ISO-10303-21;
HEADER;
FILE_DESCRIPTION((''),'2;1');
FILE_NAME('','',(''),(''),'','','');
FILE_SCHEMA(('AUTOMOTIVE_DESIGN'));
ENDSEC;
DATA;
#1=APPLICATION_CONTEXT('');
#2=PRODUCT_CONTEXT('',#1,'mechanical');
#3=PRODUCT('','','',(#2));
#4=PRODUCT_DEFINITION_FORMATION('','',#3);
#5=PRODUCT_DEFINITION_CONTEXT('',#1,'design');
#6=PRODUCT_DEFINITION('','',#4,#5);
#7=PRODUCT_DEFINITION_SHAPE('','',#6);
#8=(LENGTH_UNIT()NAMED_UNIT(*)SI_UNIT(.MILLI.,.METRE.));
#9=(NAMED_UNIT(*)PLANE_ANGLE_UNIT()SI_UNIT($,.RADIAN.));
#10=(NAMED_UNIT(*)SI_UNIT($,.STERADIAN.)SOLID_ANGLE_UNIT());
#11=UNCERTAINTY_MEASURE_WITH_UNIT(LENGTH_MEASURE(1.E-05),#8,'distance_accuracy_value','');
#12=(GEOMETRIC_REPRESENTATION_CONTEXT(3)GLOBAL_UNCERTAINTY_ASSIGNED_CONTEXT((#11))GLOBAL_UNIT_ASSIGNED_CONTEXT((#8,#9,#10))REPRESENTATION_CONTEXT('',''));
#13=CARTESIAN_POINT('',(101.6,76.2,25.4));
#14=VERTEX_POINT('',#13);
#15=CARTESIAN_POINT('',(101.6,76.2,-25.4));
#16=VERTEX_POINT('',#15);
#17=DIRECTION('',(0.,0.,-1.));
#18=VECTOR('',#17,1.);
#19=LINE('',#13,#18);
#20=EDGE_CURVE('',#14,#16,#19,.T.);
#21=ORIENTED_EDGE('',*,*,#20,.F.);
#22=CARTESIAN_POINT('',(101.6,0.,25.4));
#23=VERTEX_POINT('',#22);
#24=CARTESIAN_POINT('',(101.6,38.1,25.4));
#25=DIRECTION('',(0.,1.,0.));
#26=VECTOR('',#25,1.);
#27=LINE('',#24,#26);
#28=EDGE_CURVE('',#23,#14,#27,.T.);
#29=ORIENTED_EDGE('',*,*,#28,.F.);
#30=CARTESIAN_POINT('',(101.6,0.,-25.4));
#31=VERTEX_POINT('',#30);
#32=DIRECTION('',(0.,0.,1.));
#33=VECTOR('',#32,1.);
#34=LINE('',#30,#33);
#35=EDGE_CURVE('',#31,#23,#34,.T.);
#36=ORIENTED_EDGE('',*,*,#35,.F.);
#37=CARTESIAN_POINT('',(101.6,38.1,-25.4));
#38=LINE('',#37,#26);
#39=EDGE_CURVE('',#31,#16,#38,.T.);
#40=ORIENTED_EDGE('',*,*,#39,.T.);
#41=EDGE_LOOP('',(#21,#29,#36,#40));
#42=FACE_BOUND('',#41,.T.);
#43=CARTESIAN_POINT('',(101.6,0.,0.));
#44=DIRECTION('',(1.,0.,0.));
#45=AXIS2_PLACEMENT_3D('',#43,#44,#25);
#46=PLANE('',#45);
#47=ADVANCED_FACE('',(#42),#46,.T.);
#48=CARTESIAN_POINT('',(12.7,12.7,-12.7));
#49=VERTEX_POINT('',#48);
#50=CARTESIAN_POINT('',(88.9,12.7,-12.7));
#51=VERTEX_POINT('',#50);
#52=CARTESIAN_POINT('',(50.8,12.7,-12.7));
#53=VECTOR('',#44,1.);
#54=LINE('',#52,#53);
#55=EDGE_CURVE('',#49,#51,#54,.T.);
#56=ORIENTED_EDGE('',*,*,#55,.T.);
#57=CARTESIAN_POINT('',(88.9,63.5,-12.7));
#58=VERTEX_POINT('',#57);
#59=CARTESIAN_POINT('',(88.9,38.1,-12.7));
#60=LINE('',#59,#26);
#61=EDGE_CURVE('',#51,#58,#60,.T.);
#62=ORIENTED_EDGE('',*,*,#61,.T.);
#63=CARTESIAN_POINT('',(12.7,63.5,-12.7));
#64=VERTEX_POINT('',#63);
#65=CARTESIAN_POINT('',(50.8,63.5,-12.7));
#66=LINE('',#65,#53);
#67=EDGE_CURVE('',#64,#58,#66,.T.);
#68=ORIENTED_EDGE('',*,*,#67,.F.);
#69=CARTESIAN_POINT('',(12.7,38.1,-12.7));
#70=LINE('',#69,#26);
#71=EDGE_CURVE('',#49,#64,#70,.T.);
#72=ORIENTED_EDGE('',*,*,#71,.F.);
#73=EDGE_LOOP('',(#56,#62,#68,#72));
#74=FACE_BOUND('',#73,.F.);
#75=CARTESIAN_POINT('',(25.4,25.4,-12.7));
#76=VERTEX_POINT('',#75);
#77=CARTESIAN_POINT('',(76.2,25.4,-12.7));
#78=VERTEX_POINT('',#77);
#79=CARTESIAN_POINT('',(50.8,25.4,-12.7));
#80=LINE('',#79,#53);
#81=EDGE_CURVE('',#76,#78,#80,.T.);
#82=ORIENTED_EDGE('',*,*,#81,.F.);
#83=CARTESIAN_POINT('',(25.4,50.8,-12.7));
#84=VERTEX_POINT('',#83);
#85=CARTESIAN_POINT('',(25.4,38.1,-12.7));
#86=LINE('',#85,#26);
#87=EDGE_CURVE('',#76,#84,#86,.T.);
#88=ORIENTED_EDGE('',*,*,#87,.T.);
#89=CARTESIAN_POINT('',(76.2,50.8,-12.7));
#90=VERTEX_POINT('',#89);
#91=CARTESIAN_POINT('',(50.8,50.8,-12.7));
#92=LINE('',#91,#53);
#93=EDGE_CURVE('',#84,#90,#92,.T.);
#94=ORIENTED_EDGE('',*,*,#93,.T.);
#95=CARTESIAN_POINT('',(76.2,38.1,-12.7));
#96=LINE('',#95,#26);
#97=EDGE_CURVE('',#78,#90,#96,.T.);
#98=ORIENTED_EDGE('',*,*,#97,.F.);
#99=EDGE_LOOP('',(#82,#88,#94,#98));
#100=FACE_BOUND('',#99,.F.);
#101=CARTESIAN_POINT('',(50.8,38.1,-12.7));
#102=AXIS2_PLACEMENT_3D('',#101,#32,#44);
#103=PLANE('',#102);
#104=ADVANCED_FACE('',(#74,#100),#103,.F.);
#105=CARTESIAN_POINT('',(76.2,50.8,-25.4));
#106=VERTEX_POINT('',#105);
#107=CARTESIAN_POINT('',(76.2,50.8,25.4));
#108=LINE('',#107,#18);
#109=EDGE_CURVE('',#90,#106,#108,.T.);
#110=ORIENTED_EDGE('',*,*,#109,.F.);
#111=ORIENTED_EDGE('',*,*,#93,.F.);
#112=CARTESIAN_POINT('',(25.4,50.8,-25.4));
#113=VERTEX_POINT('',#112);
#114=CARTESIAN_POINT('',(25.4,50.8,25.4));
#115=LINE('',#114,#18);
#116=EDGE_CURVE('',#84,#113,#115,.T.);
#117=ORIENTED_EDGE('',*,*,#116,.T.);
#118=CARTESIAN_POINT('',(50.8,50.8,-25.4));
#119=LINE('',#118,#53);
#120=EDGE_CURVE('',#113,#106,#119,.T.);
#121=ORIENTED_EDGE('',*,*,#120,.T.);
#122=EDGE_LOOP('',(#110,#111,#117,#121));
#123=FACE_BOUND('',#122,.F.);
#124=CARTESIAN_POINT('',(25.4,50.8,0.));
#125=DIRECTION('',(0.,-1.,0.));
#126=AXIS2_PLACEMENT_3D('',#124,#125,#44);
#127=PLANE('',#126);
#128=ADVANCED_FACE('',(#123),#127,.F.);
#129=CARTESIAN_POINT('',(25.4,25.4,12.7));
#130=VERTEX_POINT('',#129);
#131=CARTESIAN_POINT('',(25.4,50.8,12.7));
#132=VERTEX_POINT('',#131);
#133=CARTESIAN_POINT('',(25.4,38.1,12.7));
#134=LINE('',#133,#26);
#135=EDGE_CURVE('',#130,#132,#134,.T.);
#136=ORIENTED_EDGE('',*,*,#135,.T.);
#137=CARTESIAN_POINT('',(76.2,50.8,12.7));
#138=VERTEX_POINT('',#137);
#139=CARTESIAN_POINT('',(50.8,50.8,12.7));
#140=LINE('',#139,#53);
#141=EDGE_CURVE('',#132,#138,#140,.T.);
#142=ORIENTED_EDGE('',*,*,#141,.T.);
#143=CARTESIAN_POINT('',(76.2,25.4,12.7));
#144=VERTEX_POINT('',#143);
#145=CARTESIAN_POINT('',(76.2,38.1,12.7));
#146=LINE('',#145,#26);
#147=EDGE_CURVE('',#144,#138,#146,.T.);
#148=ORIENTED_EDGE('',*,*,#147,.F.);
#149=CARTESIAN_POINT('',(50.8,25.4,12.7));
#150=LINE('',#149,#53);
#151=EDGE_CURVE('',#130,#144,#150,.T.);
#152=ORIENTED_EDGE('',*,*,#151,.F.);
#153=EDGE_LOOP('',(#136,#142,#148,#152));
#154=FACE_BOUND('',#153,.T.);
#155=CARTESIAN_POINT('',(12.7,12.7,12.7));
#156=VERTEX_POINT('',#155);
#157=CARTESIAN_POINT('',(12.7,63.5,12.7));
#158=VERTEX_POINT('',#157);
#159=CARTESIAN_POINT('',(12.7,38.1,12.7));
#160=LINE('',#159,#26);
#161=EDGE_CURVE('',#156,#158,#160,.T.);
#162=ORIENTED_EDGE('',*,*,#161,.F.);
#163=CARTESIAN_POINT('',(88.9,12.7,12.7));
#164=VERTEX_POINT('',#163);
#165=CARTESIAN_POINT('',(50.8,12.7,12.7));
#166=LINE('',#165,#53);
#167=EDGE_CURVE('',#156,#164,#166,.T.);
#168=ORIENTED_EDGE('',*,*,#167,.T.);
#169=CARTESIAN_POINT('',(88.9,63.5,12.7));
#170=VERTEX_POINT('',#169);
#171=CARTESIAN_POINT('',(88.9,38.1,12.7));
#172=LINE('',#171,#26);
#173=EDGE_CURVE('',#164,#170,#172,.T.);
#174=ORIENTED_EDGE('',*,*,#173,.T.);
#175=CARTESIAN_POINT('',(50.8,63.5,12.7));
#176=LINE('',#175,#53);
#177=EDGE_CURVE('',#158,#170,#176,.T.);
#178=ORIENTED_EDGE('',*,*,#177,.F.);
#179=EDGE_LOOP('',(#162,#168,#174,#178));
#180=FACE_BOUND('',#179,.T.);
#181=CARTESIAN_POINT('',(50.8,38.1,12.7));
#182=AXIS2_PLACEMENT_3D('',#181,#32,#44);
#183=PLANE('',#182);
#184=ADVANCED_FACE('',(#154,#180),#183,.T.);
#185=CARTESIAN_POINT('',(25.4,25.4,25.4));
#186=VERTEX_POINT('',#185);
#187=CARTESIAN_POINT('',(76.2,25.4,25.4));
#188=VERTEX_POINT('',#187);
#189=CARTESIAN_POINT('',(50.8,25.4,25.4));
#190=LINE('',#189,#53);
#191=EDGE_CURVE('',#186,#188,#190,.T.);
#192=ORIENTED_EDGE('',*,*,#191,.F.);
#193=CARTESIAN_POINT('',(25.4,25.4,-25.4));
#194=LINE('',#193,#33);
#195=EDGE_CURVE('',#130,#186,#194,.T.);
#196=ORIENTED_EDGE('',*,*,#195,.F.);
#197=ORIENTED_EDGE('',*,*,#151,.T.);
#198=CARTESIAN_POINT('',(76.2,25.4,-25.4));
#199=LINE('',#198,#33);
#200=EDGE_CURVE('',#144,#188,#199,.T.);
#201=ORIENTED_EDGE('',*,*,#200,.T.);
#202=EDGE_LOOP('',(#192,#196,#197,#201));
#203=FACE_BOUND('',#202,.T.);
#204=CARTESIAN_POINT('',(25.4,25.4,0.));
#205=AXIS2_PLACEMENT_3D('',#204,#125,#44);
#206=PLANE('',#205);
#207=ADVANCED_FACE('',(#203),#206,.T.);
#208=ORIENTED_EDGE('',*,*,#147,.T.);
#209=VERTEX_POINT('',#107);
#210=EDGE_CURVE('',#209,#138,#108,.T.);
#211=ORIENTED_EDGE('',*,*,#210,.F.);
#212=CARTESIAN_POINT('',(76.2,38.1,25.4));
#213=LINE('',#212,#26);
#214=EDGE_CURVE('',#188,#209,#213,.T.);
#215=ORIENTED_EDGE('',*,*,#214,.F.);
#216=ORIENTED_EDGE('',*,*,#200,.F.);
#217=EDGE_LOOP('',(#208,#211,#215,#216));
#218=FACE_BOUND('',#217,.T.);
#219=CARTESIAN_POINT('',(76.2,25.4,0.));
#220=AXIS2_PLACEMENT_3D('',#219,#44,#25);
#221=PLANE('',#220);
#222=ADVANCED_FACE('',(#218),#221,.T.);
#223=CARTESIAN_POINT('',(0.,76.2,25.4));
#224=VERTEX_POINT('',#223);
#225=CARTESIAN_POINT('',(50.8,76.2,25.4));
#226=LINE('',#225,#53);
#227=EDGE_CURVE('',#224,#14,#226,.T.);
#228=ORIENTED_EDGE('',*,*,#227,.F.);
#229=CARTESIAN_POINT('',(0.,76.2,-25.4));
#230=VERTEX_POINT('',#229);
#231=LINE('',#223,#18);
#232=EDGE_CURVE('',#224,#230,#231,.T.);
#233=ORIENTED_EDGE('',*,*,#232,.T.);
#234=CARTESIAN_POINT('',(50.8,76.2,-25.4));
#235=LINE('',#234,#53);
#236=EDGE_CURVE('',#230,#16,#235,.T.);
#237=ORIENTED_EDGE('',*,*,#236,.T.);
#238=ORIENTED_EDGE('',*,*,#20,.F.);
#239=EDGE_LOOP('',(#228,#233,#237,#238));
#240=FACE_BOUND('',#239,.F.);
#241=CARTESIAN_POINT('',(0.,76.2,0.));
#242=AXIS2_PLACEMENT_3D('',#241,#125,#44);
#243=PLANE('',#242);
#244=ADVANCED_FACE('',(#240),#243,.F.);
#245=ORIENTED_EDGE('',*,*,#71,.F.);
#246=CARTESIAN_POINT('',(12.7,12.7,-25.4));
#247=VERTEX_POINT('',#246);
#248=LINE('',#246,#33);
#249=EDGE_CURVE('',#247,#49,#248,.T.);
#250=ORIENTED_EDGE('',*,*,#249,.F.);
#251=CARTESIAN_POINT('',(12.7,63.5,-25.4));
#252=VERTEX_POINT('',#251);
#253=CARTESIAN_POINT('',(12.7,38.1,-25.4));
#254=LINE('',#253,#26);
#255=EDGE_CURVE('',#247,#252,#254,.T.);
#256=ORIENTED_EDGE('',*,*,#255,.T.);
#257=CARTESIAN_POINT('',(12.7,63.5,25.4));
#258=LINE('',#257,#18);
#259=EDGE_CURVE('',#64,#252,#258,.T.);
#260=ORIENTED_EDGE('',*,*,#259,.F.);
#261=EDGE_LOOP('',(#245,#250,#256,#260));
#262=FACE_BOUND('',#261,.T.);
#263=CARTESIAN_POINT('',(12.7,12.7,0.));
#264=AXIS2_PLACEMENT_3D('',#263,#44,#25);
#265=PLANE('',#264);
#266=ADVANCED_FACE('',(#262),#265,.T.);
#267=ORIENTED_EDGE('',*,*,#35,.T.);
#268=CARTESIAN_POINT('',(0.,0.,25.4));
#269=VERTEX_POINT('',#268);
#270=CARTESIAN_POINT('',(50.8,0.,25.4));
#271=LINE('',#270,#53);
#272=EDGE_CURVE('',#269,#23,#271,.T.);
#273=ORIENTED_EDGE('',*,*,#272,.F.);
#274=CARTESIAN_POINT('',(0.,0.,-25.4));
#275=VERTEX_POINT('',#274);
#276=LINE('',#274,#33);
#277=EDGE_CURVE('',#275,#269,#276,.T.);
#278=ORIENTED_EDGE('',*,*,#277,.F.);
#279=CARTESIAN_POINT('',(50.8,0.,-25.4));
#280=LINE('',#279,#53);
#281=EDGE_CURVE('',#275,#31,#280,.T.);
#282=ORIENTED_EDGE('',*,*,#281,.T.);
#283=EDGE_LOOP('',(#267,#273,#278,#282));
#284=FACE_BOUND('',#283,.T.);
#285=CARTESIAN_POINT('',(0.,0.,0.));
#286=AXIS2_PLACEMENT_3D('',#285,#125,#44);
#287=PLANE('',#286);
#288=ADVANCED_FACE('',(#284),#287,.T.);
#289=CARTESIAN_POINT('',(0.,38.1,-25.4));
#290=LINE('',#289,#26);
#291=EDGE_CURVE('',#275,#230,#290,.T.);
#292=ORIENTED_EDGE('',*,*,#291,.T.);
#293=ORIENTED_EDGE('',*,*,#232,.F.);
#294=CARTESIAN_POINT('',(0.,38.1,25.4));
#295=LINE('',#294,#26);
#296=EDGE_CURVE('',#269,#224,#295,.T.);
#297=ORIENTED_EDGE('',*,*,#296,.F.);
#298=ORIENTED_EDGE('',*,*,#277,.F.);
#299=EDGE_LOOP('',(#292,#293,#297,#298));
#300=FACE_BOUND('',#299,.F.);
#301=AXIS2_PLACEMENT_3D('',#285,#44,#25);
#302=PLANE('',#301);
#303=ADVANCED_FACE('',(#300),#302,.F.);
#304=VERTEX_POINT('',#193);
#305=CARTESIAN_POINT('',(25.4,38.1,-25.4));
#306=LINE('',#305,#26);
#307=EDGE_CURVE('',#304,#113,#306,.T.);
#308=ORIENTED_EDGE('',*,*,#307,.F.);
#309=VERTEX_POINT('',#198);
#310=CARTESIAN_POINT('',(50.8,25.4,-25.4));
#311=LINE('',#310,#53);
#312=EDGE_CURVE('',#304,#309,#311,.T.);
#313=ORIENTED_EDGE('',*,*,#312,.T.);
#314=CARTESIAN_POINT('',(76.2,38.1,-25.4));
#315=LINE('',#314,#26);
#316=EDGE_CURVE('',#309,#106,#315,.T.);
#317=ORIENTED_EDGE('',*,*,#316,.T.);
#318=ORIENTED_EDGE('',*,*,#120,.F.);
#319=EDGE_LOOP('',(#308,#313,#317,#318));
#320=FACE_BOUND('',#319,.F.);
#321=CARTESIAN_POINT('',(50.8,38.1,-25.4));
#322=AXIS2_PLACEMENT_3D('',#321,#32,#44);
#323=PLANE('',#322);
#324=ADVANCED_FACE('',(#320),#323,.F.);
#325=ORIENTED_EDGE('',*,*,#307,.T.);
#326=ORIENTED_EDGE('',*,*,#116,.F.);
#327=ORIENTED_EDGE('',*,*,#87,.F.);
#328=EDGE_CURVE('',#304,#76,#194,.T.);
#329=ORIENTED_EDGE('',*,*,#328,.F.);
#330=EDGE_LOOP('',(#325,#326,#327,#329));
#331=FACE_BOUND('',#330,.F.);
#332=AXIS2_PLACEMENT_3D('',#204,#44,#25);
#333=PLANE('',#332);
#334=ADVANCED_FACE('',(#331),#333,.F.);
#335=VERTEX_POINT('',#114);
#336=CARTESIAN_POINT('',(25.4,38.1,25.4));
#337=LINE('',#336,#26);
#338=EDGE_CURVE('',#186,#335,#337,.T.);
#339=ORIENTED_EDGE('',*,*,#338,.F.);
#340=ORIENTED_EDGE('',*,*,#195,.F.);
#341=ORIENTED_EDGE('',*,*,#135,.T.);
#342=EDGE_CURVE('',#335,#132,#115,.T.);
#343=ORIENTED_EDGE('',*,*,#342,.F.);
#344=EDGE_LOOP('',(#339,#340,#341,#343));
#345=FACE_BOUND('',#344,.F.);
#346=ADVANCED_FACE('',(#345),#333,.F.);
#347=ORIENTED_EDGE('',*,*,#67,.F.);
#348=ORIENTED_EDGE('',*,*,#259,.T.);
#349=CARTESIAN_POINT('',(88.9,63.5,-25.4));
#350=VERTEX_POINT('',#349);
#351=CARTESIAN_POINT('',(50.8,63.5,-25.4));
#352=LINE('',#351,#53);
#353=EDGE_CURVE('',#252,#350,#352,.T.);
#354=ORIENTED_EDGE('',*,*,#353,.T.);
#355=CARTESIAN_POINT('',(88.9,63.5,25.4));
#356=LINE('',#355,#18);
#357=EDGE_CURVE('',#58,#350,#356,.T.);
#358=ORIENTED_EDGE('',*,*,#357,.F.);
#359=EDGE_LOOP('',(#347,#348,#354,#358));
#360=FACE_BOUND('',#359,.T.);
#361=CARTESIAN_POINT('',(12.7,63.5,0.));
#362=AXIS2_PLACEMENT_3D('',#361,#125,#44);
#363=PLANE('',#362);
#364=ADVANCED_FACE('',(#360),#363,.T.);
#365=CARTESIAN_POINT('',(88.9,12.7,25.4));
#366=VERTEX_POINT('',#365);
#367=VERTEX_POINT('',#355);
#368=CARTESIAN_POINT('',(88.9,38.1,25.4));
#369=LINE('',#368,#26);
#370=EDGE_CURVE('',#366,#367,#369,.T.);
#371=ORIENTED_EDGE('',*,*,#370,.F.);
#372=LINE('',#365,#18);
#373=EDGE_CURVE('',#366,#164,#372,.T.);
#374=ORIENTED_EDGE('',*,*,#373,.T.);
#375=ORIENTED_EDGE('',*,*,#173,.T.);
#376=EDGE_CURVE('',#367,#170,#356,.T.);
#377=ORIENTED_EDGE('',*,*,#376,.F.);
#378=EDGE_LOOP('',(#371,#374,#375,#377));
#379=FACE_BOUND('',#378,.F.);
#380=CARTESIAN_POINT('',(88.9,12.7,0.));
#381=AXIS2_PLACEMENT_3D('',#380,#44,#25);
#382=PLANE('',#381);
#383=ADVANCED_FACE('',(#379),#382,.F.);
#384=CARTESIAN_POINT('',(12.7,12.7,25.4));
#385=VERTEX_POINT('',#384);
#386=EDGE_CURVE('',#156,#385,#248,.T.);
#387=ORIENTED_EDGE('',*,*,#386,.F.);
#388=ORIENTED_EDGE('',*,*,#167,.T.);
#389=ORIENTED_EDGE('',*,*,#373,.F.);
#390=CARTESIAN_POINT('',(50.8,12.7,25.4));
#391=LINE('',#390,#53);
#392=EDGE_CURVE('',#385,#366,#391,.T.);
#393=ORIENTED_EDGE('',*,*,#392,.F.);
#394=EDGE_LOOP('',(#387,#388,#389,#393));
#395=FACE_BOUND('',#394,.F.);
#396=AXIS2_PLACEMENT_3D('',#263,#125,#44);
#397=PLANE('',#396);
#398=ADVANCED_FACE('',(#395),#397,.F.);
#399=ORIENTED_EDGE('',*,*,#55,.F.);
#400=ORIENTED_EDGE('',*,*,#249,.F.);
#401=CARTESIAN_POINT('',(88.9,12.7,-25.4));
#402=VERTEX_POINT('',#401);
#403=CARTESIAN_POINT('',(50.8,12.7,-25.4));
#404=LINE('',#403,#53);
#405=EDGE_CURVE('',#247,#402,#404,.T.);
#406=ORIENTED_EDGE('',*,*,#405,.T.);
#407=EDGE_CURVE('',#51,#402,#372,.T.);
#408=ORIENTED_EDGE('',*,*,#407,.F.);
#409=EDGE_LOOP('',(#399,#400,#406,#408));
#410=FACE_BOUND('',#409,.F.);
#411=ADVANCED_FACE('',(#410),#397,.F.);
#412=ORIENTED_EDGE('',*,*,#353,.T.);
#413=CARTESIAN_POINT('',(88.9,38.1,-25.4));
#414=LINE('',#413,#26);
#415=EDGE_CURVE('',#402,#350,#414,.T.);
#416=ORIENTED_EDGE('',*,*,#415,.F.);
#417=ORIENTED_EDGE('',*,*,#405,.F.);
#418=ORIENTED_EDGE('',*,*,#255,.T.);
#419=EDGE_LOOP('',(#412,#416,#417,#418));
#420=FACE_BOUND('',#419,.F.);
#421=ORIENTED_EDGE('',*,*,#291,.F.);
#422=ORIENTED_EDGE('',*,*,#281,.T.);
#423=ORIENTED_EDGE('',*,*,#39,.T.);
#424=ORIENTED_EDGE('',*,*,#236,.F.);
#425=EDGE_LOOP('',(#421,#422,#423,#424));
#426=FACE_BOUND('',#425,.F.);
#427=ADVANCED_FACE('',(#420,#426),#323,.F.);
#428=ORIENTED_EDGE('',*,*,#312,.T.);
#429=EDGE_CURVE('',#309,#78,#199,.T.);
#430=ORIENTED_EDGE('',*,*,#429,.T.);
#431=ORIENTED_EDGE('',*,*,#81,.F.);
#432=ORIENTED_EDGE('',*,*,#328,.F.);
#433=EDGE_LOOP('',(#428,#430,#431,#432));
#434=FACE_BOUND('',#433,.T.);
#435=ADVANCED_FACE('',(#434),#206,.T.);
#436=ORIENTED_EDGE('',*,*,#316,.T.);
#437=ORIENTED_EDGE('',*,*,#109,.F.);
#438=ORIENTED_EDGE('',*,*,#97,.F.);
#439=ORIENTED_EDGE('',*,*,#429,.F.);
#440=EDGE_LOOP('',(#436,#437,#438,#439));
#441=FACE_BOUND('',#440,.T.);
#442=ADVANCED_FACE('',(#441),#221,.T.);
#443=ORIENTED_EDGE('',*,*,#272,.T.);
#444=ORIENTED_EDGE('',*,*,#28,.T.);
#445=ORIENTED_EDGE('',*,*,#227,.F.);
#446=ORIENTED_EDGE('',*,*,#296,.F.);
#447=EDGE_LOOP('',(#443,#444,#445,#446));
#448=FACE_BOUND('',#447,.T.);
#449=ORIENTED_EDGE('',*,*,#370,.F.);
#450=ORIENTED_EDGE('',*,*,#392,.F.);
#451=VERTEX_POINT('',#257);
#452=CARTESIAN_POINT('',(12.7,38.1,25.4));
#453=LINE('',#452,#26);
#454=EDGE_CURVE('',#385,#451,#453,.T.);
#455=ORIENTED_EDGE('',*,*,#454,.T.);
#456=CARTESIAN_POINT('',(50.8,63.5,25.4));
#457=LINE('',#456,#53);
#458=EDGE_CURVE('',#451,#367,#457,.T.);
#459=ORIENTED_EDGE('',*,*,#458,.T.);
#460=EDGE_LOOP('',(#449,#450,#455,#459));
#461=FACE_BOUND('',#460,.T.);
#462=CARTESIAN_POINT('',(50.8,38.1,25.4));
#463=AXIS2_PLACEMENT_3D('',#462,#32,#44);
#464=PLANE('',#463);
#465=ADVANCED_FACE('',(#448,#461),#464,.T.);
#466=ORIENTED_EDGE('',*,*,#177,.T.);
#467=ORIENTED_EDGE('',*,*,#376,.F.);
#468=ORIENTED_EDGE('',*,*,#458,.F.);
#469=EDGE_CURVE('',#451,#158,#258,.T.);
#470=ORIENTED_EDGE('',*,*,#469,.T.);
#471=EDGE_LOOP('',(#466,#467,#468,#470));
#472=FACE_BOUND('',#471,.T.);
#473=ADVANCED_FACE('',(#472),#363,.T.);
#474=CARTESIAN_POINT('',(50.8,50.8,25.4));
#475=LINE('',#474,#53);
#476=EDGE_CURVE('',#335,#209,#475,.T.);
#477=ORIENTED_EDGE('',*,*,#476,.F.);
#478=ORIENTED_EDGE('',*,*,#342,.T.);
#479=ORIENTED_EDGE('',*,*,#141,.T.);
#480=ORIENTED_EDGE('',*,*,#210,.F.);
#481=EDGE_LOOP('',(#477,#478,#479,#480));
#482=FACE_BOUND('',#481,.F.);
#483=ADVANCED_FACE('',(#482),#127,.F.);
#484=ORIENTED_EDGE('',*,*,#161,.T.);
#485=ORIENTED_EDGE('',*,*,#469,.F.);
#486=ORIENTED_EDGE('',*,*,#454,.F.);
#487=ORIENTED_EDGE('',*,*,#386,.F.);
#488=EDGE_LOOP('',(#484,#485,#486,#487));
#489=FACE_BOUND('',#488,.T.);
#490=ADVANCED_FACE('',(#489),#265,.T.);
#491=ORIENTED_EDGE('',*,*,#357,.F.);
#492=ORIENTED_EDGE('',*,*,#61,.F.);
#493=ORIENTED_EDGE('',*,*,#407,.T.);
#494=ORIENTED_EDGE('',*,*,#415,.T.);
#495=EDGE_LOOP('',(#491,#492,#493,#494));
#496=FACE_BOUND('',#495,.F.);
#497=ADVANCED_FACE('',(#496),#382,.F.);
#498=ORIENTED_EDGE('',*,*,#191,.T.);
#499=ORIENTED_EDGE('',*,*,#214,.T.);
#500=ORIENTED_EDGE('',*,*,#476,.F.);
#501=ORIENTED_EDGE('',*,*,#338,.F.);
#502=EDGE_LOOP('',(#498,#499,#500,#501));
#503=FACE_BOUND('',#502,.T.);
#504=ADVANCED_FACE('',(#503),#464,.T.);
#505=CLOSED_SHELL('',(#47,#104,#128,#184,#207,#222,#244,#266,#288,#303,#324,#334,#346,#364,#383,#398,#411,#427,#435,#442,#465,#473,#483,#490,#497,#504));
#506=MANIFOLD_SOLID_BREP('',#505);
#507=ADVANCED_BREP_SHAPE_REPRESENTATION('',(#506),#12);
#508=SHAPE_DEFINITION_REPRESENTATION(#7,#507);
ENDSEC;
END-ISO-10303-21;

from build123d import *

# Parameters (mm, degrees)
F0_W          = 101.6
F0_H          = 76.2
F0_W_2        = 76.2
F0_H_2        = 50.8
F0_W_3        = 50.8
F0_H_3        = 25.4
F1_DEPTH      = 25.4
F1_DEPTH_BACK = 25.4
F2_DEPTH      = 12.7
F2_DEPTH_BACK = 12.7


with BuildPart() as f1:
    # F0 (on Top) → F1 (new body, two sides)
    with BuildSketch(Plane.XY) as f1_sk:
        with Locations((50.8, 38.1)):
            Rectangle(F0_W, F0_H)
        with Locations((50.8, 38.1)):
            Rectangle(F0_W_2, F0_H_2, mode=Mode.SUBTRACT)
        with Locations((50.8, 38.1)):
            Rectangle(F0_W_3, F0_H_3)
    extrude(amount=F1_DEPTH)
    extrude(f1_sk.sketch, amount=-F1_DEPTH_BACK)

    # F0 (on Top) → F2 (join, two sides)
    with BuildSketch(Plane.XY) as f2_sk:
        with Locations((50.8, 38.1)):
            Rectangle(F0_W_2, F0_H_2)
        with Locations((50.8, 38.1)):
            Rectangle(F0_W_3, F0_H_3, mode=Mode.SUBTRACT)
    extrude(amount=F2_DEPTH)
    extrude(f2_sk.sketch, amount=-F2_DEPTH_BACK)


solid = f1.part
